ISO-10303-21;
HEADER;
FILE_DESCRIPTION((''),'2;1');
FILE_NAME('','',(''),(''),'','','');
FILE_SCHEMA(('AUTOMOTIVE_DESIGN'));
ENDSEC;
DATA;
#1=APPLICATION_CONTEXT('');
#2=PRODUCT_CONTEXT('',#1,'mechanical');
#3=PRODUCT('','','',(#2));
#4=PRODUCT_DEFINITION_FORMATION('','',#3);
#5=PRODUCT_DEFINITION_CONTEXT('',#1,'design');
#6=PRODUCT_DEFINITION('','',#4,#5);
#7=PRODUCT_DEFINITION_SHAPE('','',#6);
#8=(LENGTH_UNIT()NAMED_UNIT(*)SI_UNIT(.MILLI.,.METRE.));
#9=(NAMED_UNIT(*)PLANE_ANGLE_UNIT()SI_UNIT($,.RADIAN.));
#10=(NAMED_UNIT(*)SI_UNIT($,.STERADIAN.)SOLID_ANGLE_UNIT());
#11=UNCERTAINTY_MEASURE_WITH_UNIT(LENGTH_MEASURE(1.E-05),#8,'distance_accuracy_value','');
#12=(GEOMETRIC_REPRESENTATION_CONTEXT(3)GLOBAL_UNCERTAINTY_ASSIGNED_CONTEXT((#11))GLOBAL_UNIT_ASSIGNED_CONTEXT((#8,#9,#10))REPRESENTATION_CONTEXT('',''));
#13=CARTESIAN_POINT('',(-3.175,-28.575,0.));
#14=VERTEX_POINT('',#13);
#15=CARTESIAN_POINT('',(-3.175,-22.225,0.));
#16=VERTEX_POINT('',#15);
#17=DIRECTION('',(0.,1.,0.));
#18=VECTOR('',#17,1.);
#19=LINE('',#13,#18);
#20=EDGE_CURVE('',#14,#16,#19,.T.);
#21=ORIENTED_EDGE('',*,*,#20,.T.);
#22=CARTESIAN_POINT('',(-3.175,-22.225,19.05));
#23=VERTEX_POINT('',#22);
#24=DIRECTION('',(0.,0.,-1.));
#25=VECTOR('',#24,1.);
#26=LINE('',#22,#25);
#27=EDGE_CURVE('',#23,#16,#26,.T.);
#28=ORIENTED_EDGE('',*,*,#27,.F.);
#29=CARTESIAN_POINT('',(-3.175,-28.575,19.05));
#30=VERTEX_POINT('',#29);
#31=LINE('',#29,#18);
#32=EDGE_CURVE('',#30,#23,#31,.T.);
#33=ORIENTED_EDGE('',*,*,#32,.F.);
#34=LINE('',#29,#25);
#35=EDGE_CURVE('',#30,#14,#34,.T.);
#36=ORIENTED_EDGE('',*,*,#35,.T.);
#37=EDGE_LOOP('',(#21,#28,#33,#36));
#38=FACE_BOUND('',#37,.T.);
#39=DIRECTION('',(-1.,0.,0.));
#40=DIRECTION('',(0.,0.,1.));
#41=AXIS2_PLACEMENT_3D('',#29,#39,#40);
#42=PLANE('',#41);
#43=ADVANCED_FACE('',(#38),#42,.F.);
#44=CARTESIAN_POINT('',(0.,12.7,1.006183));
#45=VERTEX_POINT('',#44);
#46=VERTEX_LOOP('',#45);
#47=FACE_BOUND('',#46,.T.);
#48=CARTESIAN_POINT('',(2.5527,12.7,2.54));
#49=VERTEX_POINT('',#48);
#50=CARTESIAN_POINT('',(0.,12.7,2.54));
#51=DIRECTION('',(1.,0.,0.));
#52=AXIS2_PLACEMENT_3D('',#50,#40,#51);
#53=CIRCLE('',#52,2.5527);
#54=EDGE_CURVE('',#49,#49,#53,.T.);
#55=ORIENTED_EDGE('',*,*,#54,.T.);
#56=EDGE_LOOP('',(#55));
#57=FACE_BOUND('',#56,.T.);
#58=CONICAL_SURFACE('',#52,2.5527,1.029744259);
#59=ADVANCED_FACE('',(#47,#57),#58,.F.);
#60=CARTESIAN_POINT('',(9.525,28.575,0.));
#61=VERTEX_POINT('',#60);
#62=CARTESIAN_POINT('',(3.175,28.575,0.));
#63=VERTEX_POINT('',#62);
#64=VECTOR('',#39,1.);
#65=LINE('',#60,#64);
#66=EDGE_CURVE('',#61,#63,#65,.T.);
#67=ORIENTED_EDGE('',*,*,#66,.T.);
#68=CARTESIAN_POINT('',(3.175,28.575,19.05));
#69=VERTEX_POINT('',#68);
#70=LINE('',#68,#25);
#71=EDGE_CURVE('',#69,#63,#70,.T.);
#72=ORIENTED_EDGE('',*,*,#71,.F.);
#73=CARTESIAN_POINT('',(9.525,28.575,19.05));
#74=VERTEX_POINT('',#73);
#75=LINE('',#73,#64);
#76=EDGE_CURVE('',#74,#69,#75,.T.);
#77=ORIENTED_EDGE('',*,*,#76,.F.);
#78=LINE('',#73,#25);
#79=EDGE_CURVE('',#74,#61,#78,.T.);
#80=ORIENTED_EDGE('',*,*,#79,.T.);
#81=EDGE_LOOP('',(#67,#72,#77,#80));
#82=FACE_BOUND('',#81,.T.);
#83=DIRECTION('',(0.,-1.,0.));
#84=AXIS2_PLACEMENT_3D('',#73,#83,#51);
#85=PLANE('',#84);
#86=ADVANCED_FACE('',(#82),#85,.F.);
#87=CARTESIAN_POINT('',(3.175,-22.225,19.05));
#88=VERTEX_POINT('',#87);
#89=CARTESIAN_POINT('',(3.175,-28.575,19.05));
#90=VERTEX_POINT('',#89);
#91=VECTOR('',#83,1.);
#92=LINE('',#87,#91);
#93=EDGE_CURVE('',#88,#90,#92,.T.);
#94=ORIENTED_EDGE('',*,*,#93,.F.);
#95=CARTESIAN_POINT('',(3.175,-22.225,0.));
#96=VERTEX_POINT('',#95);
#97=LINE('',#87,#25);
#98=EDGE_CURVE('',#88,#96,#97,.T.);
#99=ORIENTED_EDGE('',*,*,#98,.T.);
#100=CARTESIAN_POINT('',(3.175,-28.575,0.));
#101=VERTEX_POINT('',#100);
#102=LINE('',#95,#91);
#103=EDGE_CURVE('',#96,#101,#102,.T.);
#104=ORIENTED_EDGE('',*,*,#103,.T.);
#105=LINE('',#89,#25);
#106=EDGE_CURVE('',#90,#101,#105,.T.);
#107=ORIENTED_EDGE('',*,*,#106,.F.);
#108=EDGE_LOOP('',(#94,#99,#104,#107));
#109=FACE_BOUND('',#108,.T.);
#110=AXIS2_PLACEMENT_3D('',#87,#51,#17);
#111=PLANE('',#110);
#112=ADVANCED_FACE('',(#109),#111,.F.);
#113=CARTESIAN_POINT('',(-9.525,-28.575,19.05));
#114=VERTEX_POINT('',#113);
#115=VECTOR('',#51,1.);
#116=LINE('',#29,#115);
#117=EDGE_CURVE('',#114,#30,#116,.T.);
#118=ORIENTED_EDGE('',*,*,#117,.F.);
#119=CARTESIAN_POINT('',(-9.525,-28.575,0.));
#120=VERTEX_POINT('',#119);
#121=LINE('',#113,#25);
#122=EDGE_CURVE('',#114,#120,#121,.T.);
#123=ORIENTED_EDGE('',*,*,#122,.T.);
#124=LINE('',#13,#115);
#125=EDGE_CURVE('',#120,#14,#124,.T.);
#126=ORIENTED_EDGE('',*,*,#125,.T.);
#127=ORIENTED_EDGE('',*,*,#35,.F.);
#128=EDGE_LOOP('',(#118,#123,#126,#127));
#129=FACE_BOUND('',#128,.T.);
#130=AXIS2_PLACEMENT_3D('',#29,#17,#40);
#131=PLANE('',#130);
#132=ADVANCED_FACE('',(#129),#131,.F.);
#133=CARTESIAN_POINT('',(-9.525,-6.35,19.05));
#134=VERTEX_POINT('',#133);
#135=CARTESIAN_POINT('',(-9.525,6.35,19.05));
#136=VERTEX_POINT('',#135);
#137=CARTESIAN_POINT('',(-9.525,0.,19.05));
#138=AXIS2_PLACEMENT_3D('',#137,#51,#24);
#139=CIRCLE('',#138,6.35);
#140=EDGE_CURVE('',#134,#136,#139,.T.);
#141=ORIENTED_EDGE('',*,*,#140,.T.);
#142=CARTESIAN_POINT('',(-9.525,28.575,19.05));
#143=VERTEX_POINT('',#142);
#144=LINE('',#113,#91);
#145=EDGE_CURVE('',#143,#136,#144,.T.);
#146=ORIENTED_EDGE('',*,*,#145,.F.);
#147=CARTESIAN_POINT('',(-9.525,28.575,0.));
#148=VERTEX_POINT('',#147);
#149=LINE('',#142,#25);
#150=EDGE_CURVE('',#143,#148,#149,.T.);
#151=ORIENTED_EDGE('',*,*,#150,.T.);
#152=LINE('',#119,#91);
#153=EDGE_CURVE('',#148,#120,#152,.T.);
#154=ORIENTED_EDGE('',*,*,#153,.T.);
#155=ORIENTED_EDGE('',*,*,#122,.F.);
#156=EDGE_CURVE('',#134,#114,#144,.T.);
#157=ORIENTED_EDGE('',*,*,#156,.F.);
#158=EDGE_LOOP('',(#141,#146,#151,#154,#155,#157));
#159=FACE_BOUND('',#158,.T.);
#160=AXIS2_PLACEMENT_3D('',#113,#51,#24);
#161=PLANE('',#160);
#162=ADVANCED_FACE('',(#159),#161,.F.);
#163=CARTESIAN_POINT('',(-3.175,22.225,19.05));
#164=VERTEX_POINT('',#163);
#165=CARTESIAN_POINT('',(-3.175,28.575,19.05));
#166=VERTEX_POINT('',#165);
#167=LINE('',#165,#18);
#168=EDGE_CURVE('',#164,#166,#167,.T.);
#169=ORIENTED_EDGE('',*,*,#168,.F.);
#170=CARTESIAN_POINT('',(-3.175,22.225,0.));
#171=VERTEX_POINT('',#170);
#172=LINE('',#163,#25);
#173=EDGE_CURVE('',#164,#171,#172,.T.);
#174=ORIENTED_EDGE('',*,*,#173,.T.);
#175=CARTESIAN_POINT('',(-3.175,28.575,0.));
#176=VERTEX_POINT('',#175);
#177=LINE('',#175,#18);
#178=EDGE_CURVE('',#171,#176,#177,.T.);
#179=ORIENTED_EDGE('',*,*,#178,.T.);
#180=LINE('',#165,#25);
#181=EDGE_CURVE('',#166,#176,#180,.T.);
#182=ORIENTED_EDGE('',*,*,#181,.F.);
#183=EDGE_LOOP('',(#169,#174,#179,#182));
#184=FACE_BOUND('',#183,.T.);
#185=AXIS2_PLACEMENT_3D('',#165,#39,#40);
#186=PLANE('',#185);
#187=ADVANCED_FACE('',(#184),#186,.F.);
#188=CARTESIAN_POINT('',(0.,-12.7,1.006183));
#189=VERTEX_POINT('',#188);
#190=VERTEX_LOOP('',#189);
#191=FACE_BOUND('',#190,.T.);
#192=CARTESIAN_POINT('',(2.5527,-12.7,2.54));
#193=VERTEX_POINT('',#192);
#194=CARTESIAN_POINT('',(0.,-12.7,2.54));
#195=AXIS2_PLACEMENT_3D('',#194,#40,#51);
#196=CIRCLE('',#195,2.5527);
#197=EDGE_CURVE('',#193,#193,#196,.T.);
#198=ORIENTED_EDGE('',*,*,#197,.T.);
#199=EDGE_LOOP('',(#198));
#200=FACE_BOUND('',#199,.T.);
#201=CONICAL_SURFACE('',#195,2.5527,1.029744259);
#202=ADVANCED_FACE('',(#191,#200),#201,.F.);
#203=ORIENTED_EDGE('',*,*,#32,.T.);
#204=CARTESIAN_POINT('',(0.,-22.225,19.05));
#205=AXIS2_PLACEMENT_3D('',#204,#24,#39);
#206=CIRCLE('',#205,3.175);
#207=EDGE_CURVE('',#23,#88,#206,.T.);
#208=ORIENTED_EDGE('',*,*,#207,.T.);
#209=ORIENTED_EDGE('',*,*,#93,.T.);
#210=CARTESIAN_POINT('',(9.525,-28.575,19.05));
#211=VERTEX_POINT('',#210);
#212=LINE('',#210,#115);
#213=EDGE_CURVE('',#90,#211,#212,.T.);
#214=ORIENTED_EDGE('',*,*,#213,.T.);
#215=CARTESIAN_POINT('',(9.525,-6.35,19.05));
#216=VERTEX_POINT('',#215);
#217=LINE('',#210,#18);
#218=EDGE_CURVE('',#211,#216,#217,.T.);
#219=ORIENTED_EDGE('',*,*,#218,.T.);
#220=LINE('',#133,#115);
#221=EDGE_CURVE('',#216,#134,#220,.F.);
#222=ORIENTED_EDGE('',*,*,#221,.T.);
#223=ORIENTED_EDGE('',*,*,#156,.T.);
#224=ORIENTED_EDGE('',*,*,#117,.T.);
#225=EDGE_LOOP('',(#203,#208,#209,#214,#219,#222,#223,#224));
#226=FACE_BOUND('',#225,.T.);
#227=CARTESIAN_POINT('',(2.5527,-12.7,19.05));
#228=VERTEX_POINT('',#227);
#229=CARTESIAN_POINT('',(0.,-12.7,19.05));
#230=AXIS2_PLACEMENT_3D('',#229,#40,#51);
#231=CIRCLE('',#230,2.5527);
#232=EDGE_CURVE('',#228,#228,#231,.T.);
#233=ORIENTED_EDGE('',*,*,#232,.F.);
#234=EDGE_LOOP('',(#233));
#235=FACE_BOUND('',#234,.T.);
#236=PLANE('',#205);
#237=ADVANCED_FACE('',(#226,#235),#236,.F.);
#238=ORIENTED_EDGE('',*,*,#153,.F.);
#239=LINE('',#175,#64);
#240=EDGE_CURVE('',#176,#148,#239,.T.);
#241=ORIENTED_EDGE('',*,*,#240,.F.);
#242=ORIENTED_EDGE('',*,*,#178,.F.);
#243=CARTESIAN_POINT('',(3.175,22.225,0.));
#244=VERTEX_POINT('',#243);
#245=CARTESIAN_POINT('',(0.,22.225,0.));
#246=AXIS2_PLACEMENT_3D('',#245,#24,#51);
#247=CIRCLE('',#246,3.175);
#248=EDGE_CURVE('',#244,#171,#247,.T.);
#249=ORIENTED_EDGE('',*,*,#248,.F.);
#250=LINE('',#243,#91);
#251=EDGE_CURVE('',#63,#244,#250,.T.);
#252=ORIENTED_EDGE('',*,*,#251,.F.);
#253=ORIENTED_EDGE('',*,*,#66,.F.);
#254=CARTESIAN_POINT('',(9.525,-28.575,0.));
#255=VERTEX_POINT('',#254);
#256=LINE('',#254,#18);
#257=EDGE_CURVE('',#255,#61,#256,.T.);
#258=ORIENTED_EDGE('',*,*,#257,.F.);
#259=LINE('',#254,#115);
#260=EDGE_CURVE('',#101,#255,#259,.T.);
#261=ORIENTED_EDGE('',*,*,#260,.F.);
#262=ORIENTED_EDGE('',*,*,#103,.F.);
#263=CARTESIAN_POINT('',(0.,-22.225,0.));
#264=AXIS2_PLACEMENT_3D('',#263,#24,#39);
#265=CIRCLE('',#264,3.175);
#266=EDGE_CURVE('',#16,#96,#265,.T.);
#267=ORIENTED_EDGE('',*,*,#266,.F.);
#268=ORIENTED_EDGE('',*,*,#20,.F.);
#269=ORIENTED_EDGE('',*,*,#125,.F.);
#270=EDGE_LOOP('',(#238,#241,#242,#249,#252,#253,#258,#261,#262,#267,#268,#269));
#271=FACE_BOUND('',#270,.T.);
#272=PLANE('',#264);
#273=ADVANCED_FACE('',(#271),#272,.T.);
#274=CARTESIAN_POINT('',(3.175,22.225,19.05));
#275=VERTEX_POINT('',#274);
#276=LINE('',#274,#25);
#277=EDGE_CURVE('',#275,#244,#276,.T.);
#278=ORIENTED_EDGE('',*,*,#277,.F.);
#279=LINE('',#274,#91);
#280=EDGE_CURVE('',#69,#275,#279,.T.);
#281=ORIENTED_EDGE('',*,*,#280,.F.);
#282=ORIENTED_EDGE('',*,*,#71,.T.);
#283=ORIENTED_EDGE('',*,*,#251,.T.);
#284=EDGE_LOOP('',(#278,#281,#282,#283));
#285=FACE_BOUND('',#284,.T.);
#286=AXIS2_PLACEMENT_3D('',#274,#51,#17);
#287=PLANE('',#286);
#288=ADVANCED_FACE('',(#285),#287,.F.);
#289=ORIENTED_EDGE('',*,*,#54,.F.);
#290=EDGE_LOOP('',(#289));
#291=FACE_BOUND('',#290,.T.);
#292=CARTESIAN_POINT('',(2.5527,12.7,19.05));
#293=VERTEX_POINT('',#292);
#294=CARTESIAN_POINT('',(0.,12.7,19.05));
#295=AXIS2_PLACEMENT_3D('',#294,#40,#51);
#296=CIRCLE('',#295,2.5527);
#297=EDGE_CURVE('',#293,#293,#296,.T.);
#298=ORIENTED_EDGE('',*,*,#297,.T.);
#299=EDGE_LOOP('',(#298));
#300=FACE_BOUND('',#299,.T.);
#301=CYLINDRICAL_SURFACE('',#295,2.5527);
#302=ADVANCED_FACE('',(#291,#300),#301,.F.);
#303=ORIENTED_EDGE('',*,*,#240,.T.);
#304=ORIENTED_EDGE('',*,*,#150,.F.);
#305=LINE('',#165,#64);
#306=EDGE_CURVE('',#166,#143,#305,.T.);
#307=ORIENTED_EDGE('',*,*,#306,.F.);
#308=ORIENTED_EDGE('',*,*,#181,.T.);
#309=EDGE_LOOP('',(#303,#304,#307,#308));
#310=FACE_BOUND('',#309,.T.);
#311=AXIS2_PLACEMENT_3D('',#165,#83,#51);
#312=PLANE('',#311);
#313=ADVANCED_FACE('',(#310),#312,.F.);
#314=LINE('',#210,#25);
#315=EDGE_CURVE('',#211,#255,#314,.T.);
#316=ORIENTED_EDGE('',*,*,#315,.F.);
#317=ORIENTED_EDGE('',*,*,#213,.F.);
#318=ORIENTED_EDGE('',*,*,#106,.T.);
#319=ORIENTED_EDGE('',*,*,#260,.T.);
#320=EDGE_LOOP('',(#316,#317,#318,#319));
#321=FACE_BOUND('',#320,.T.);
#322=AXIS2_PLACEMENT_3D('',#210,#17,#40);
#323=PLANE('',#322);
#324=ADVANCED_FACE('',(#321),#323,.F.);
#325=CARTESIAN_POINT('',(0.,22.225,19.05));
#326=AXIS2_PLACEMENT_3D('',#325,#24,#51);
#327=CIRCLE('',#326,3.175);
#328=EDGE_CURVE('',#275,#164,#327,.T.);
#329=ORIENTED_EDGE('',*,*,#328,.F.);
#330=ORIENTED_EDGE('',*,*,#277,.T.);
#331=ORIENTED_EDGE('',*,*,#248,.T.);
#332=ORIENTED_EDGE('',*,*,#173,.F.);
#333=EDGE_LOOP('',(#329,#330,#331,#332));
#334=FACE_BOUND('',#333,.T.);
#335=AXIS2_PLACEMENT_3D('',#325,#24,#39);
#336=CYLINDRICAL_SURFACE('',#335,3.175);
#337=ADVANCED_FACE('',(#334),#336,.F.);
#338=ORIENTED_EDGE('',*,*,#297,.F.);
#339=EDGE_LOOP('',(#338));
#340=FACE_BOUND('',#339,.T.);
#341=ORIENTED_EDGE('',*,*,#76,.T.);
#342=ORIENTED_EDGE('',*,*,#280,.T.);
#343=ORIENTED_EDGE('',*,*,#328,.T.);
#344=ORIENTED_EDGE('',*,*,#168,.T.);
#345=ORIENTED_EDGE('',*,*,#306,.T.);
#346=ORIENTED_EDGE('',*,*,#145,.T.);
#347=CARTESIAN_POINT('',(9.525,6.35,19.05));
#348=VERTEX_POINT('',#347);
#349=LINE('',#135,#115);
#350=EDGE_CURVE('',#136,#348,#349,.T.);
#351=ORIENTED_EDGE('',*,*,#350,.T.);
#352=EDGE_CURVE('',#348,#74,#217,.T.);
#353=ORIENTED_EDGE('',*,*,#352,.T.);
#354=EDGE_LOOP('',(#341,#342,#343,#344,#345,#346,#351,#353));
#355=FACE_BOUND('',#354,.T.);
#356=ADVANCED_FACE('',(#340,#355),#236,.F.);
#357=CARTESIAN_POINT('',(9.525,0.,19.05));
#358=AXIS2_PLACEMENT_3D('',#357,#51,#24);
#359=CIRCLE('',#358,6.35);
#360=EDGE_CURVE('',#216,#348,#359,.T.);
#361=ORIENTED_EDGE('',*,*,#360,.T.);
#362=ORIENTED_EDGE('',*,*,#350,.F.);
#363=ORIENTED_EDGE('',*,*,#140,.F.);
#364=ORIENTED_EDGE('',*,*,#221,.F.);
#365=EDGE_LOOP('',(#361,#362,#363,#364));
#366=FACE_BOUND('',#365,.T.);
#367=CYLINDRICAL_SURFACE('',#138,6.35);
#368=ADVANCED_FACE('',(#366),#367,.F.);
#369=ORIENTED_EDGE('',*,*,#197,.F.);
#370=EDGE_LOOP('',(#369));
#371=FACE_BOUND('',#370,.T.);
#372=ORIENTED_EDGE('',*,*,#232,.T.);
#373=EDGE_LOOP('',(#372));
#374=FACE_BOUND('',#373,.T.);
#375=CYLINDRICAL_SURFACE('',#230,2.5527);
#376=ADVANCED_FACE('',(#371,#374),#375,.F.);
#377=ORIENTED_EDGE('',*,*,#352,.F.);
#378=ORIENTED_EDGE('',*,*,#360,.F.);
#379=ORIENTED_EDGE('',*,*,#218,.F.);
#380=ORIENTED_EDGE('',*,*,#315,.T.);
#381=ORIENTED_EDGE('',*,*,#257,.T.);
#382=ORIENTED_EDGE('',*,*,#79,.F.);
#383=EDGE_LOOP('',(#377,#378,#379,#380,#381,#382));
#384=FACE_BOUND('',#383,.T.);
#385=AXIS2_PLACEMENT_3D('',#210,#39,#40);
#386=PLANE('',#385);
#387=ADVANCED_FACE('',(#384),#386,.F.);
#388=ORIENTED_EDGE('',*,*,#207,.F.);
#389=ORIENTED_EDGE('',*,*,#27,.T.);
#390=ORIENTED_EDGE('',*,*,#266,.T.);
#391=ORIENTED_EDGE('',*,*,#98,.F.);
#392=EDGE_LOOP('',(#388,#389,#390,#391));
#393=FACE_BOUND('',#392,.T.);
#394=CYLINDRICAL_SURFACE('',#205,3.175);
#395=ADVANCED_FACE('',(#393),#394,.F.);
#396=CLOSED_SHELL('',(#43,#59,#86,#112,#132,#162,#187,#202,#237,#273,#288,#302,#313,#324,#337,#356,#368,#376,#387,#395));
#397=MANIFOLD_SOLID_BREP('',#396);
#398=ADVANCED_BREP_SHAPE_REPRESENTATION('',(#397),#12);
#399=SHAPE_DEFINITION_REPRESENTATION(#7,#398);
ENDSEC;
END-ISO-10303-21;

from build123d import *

# Parameters (mm, degrees)
BOSS_EXTRUDE1_DEPTH         = 19.05
F_1_4_20_TAPPED_HOLE1_D     = 5.1054
F_1_4_20_TAPPED_HOLE1_DEPTH = 16.51
F_1_4_20_TAPPED_HOLE1_TIP   = 1.533816902
SKETCH4_R                   = 6.35
CUT_EXTRUDE1_DEPTH          = 19.05


with BuildPart() as part:
    # Sketch1 → Boss-Extrude1 (new body)
    with BuildSketch(Plane.XY):
        with BuildLine():
            Line((-3.175, -28.575), (-3.175, -22.225))
            ThreePointArc((-3.175, -22.225), (0, -19.05), (3.175, -22.225))
            Line((3.175, -22.225), (3.175, -28.575))
            Line((3.175, -28.575), (9.525, -28.575))
            Line((9.525, -28.575), (9.525, 28.575))
            Line((9.525, 28.575), (3.175, 28.575))
            Line((3.175, 28.575), (3.175, 22.225))
            ThreePointArc((3.175, 22.225), (0, 19.05), (-3.175, 22.225))
            Line((-3.175, 22.225), (-3.175, 28.575))
            Line((-3.175, 28.575), (-9.525, 28.575))
            Line((-9.525, 28.575), (-9.525, -28.575))
            Line((-9.525, -28.575), (-3.175, -28.575))
        make_face()
    extrude(amount=BOSS_EXTRUDE1_DEPTH)

    # 1/4-20 Tapped Hole1
    with Locations(Plane.XY.offset(19.05)):
        with Locations((0, 12.7), (0, -12.7)):
            Hole(F_1_4_20_TAPPED_HOLE1_D / 2, depth=F_1_4_20_TAPPED_HOLE1_DEPTH)
            with Locations((0, 0, -(F_1_4_20_TAPPED_HOLE1_DEPTH + F_1_4_20_TAPPED_HOLE1_TIP / 2))):  # 118° drill point
                Cone(0, F_1_4_20_TAPPED_HOLE1_D / 2, F_1_4_20_TAPPED_HOLE1_TIP, mode=Mode.SUBTRACT)

    # Sketch4 → Cut-Extrude1 (cut)
    with BuildSketch(Plane(origin=(9.525, 0, 0), x_dir=(0, 0, -1), z_dir=(1, 0, 0))):
        with Locations((-19.05, 0)):
            Circle(SKETCH4_R)
    extrude(amount=-CUT_EXTRUDE1_DEPTH, mode=Mode.SUBTRACT)


solid = part.part
